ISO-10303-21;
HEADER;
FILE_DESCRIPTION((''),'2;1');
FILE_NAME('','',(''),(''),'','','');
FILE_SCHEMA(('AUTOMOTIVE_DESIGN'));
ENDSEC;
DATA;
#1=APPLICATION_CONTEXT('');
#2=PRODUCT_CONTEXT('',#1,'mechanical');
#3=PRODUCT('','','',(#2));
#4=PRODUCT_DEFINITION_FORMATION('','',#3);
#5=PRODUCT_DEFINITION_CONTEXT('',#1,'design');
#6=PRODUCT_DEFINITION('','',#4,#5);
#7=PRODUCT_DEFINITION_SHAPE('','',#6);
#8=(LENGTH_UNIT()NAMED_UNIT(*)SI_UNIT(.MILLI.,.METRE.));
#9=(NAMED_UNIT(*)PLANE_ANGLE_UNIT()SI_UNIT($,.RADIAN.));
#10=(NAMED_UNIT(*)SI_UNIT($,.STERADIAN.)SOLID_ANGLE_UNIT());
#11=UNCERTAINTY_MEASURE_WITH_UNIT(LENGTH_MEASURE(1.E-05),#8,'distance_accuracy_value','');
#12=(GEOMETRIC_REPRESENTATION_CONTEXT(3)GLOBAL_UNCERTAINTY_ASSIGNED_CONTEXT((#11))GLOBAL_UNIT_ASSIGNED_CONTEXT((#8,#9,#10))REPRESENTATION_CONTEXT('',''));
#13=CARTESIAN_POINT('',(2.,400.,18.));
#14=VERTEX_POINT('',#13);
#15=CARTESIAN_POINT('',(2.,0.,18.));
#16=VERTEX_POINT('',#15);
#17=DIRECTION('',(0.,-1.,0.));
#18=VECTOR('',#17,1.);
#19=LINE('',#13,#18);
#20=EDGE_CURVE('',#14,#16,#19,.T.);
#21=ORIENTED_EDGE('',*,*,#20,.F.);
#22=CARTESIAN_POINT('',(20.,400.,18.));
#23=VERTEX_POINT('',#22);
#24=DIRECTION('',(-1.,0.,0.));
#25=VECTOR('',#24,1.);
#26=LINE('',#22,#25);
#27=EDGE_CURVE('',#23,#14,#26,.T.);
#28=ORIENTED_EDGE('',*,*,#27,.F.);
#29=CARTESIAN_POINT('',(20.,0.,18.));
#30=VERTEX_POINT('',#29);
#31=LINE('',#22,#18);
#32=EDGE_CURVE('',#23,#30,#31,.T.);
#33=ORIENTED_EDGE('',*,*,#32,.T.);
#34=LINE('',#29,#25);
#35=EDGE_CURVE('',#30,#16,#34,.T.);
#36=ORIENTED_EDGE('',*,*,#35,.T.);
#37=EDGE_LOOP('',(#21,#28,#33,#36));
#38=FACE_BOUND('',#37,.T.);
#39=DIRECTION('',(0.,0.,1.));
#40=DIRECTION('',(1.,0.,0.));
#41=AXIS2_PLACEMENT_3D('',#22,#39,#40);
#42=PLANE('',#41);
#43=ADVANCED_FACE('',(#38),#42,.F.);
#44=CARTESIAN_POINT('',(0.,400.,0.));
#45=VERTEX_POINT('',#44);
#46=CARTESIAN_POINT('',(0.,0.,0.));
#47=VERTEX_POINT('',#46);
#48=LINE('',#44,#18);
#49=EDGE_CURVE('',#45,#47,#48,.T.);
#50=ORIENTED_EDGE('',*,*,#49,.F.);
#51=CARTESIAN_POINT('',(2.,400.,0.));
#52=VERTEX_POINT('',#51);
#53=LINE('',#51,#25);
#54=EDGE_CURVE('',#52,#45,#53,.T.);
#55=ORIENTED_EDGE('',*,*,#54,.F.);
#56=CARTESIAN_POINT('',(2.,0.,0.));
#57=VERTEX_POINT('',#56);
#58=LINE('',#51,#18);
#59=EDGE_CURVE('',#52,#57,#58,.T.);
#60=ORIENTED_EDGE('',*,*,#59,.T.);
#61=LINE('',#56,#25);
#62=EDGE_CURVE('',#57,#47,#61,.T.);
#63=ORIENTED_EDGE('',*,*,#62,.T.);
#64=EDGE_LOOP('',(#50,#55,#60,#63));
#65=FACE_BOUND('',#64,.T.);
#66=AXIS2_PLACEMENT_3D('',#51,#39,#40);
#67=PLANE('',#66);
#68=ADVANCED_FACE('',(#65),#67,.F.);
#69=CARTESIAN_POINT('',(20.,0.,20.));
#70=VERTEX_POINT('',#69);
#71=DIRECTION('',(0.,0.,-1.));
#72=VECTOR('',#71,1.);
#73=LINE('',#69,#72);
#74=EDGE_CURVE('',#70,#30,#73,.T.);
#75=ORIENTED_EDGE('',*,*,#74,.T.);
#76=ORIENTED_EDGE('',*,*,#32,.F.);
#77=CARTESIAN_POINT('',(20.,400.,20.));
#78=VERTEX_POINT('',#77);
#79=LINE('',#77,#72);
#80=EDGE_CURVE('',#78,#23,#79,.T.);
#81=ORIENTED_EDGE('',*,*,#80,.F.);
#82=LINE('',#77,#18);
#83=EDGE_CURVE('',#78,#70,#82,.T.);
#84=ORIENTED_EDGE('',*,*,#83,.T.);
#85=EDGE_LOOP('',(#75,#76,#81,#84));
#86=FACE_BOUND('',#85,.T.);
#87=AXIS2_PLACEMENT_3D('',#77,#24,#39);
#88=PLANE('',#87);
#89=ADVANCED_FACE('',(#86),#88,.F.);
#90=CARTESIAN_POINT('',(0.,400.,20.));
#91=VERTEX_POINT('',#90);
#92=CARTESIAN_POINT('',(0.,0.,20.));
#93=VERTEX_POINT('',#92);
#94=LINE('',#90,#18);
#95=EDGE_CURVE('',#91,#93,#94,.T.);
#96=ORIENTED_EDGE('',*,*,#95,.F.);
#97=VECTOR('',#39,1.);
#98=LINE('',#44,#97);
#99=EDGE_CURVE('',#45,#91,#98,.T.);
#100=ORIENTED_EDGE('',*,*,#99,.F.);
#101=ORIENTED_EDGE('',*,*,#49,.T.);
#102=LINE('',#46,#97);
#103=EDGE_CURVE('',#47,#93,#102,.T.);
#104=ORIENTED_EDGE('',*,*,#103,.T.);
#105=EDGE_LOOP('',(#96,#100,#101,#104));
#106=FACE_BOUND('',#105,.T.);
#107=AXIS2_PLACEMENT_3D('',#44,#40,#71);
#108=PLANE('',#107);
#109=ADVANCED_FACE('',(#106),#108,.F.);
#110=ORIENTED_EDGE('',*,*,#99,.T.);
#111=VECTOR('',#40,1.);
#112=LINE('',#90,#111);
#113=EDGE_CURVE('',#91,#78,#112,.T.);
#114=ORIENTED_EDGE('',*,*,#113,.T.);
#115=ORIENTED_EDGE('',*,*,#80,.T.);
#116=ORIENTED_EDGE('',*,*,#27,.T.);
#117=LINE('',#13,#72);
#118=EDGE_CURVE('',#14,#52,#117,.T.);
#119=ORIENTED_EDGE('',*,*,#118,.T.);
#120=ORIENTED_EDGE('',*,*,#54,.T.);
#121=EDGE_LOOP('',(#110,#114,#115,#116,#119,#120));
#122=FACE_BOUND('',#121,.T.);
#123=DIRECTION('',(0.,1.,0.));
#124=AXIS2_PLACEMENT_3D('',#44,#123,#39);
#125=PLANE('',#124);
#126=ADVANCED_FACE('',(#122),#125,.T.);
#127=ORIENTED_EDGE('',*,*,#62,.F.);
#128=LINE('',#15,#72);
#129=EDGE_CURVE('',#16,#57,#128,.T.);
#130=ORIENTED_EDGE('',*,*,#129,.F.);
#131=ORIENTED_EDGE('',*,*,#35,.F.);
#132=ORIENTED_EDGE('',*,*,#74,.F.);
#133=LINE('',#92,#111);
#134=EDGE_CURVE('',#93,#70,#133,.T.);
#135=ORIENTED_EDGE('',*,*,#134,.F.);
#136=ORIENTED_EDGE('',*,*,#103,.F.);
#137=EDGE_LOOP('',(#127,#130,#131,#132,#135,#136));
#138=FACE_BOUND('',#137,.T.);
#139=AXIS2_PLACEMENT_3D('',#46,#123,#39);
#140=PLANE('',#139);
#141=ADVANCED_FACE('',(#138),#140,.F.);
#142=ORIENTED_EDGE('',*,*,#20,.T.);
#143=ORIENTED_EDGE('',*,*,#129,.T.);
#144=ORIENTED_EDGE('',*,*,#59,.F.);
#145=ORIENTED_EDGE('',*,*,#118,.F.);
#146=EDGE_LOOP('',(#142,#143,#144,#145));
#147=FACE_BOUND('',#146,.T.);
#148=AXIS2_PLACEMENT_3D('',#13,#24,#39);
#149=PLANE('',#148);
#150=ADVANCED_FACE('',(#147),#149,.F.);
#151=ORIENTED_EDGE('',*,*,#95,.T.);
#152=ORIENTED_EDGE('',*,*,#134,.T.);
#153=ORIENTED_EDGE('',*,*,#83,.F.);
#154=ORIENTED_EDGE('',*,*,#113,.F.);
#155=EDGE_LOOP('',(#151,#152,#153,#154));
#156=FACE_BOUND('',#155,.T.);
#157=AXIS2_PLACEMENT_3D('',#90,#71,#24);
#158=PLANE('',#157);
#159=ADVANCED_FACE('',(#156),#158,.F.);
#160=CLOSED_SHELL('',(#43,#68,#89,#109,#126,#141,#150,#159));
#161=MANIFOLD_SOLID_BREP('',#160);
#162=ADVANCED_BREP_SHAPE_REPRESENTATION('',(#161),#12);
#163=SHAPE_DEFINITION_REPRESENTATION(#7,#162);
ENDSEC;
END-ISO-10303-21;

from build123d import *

# Parameters (mm, degrees)
BOSS_EXTRUDE1_DEPTH = 400


with BuildPart() as part:
    # Sketch1 → Boss-Extrude1 (new body)
    with BuildSketch(Plane(origin=(0, 0, 0), x_dir=(1, 0, 0), z_dir=(0, 1, 0))):
        Polygon((0, 0), (0, -20), (20, -20), (20, -18), (2, -18), (2, 0), align=None)
    extrude(amount=BOSS_EXTRUDE1_DEPTH)


solid = part.part
